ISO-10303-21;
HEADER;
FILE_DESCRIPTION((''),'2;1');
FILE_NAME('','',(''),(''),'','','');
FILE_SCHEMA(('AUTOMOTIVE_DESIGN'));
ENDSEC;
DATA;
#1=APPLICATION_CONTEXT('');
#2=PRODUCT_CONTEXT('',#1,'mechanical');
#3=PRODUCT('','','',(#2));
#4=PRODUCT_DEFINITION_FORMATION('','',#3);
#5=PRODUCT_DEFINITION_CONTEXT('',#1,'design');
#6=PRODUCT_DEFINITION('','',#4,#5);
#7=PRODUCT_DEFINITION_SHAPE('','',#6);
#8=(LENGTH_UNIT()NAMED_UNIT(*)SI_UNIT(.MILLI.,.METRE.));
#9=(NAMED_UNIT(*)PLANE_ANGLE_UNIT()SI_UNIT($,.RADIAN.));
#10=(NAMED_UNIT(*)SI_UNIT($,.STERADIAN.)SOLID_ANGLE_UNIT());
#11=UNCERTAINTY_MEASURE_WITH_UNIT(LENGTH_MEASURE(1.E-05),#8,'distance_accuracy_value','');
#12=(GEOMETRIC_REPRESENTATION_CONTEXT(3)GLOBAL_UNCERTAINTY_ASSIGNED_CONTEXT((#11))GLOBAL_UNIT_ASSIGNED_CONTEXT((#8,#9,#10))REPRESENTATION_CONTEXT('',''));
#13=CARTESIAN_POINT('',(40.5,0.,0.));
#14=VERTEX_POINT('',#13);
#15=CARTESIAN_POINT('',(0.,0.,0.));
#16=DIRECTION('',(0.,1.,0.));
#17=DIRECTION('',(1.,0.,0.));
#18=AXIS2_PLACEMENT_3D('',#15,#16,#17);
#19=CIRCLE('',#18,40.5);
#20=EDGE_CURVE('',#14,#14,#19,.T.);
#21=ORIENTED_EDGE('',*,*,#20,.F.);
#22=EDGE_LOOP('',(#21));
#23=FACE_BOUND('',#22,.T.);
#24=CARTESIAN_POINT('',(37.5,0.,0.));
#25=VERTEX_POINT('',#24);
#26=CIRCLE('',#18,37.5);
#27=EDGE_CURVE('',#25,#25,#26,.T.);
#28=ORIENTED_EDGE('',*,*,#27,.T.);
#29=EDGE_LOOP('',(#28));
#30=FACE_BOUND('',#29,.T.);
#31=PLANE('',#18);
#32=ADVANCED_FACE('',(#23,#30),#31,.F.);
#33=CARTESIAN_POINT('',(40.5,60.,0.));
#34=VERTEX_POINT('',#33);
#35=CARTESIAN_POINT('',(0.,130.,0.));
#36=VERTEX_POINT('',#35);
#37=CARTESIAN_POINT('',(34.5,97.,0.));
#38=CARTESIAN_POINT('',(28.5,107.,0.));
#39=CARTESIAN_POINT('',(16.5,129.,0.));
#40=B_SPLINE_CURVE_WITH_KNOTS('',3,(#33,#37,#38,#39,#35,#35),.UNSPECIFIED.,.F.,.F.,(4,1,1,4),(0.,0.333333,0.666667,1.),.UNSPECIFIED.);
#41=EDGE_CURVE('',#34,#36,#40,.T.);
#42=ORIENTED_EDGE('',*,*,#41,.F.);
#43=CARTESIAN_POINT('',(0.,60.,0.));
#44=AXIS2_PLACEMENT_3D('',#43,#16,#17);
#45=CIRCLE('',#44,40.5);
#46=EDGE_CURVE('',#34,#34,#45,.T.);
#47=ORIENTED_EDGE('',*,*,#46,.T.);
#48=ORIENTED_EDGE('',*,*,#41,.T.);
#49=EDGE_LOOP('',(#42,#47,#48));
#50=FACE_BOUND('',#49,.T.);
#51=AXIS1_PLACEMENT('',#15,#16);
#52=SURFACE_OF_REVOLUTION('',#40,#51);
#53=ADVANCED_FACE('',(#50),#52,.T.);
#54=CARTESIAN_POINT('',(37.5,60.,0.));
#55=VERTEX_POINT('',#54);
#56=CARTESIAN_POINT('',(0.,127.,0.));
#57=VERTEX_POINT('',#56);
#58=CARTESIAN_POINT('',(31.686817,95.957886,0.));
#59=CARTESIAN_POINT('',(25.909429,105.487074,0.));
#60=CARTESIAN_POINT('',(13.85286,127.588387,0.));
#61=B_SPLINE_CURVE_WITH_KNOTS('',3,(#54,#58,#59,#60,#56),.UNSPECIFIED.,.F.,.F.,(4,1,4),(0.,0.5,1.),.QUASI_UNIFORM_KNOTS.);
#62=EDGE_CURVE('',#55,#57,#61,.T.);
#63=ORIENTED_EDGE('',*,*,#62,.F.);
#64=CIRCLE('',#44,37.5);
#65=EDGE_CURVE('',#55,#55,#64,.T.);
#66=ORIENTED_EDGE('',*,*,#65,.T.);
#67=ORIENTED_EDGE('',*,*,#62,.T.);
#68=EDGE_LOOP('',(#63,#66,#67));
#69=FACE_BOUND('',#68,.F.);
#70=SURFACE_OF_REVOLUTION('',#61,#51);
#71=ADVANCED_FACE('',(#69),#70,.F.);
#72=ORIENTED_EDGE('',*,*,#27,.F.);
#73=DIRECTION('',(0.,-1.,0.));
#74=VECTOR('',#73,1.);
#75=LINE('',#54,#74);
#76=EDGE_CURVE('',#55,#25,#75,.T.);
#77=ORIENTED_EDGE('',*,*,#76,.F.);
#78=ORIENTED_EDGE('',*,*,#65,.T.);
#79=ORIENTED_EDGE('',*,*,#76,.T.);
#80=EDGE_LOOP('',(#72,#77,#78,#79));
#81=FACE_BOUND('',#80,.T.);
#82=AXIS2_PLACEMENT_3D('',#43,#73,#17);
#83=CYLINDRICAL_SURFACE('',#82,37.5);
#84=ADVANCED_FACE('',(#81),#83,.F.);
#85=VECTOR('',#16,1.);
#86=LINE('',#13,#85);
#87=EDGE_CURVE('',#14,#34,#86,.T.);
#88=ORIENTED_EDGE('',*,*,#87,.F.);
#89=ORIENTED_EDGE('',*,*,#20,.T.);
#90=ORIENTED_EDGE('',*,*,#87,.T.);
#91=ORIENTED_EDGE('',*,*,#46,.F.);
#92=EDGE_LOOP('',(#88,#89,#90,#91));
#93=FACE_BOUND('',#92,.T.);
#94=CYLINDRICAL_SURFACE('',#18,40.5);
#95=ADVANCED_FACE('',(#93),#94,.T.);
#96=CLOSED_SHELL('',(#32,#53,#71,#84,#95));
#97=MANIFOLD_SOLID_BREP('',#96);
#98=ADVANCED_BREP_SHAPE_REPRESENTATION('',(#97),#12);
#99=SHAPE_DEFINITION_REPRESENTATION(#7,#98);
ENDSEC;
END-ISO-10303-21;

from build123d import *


with BuildPart() as part:
    # Sketch → Revolution (revolve)
    with BuildSketch(Plane.XY):
        with BuildLine():
            Line((37.5, 0), (40.5, 0))
            Line((40.5, 0), (40.5, 60))
            add(Edge.make_bspline(
                [(40.5, 60), (34.5, 97), (28.5, 107), (16.5, 129), (0, 130), (0, 130)],
                knots=[0, 0, 0, 0, 0.333333, 0.666667, 1, 1, 1, 1], degree=3))
            Line((0, 130), (0, 127))
            add(Edge.make_bspline(
                [(37.5, 60), (31.686817, 95.957886), (25.909429, 105.487074), (13.85286, 127.588387), (0, 127)],
                knots=[0, 0, 0, 0, 0.5, 1, 1, 1, 1], degree=3))
            Line((37.5, 60), (37.5, 0))
        make_face()
    revolve(axis=Axis((0, 0, 0), (0, 1, 0)))


solid = part.part
